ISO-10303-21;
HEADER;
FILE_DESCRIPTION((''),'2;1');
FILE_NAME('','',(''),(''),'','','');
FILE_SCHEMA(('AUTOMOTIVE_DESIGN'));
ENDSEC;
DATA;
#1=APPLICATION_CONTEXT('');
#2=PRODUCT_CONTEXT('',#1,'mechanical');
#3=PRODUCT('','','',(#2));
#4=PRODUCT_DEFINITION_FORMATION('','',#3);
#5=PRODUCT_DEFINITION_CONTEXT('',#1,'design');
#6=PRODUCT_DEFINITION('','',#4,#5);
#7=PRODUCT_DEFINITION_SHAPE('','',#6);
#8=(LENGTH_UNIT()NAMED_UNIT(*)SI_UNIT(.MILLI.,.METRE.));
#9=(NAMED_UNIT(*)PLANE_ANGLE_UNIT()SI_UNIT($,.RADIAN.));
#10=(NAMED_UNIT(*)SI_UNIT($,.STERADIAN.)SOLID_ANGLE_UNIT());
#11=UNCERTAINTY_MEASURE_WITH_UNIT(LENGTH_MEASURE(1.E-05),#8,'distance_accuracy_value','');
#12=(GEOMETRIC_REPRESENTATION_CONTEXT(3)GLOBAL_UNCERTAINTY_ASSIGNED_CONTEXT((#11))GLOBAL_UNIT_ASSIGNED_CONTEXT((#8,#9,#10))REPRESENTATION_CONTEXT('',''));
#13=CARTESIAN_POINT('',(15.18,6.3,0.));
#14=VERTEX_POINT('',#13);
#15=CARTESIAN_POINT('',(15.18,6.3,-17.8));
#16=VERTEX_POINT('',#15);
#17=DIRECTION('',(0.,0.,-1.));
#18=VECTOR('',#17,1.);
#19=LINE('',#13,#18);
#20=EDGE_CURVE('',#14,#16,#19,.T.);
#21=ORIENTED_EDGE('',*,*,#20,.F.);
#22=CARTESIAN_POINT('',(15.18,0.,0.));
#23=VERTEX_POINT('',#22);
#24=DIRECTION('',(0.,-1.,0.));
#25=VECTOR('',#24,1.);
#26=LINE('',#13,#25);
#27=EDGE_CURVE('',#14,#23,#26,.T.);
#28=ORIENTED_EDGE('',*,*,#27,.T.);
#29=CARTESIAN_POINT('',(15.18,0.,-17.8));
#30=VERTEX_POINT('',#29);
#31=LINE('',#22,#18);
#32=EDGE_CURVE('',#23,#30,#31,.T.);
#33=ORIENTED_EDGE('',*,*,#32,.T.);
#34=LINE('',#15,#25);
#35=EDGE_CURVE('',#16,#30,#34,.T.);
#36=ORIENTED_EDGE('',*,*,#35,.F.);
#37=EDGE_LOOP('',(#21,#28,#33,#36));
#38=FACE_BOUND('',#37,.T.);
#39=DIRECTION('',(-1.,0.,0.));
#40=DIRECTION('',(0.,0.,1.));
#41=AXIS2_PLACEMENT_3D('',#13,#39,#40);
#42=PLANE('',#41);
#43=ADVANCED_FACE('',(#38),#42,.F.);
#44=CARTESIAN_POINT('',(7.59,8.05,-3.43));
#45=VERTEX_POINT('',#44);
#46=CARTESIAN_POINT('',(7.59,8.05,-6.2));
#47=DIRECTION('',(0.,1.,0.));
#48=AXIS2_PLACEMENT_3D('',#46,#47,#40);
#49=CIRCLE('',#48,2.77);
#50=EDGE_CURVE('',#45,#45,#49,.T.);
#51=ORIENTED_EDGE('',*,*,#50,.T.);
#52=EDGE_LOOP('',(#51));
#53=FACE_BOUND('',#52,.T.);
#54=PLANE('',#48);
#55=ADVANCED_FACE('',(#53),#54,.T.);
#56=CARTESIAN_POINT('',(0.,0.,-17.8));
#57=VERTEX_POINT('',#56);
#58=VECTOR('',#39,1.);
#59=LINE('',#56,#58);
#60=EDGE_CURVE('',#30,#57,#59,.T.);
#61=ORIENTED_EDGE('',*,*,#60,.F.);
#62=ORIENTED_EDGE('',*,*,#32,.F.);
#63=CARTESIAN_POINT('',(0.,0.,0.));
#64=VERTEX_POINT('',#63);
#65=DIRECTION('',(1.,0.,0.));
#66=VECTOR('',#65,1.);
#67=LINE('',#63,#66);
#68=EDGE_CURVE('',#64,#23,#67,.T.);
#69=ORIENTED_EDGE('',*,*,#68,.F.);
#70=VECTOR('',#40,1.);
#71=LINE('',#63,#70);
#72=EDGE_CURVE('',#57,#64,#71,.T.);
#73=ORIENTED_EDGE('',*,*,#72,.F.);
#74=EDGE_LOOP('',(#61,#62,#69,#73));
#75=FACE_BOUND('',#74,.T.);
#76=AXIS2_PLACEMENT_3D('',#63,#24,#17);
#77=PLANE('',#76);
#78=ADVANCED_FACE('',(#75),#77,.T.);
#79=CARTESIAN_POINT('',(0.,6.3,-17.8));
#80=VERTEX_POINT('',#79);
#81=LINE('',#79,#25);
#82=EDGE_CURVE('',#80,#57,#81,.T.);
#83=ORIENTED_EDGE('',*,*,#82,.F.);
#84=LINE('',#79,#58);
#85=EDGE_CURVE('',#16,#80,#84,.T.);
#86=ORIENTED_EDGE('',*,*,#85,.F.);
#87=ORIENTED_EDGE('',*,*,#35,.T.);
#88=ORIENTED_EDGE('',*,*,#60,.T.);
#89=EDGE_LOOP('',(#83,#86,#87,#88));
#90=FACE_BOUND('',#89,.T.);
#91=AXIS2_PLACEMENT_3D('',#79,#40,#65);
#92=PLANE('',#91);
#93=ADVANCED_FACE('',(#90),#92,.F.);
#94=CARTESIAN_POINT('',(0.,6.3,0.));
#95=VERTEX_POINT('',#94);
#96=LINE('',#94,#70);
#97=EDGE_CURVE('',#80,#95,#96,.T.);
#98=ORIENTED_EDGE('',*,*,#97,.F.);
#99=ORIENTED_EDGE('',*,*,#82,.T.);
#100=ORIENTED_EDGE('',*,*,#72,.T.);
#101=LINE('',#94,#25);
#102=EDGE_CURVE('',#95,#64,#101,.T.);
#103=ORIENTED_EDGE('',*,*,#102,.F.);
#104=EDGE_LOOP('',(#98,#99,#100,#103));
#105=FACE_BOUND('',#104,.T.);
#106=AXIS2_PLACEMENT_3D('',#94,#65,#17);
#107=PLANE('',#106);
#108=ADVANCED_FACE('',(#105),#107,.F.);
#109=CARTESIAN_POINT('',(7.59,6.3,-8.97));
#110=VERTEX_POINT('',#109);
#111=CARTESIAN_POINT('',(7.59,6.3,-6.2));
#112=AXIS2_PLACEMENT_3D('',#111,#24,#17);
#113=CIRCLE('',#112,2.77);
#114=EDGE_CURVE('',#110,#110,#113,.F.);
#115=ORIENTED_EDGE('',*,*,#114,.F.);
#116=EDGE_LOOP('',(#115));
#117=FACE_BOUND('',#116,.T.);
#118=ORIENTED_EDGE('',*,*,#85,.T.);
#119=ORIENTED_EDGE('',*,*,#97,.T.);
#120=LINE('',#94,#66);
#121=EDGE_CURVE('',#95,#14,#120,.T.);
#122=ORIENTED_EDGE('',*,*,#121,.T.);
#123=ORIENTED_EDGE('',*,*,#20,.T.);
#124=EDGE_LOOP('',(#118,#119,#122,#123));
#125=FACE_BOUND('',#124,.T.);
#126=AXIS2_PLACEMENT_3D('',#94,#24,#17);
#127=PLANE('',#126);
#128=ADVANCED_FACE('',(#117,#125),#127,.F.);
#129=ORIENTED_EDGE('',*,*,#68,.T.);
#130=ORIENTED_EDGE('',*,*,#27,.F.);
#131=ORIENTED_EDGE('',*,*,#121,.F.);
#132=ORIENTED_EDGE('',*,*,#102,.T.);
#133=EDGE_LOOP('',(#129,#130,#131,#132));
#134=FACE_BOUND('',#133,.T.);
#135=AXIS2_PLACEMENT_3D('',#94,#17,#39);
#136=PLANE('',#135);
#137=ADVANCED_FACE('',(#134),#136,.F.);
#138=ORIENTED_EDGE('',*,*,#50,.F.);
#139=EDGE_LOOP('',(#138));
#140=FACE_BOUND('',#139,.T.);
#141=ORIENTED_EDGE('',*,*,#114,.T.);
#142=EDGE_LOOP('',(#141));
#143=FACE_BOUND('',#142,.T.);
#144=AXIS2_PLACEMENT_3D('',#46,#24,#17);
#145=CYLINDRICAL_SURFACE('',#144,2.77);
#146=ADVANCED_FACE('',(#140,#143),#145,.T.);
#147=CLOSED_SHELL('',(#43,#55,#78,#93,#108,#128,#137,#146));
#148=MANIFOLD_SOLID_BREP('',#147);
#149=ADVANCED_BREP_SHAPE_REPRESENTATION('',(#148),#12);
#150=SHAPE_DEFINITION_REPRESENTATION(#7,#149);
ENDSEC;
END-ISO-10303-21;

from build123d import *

# Parameters (mm, degrees)
SKETCH2_W           = 15.18
SKETCH2_H           = 17.8
BOSS_EXTRUDE1_DEPTH = 6.3
SKETCH3_R           = 2.77
BOSS_EXTRUDE2_DEPTH = 1.75


with BuildPart() as part:
    # Sketch2 → Boss-Extrude1 (new body)
    with BuildSketch(Plane(origin=(0, 0, 0), x_dir=(1, 0, 0), z_dir=(0, 1, 0))):
        with Locations((7.59, 8.9)):
            Rectangle(SKETCH2_W, SKETCH2_H)
    extrude(amount=BOSS_EXTRUDE1_DEPTH)

    # Sketch3 → Boss-Extrude2 (add)
    with BuildSketch(Plane(origin=(0, 6.3, 0), x_dir=(1, 0, 0), z_dir=(0, 1, 0))):
        with Locations(Location((7.59, 6.2, 0), (0, 0, 90))):
            Circle(SKETCH3_R)
    extrude(amount=BOSS_EXTRUDE2_DEPTH)


solid = part.part
